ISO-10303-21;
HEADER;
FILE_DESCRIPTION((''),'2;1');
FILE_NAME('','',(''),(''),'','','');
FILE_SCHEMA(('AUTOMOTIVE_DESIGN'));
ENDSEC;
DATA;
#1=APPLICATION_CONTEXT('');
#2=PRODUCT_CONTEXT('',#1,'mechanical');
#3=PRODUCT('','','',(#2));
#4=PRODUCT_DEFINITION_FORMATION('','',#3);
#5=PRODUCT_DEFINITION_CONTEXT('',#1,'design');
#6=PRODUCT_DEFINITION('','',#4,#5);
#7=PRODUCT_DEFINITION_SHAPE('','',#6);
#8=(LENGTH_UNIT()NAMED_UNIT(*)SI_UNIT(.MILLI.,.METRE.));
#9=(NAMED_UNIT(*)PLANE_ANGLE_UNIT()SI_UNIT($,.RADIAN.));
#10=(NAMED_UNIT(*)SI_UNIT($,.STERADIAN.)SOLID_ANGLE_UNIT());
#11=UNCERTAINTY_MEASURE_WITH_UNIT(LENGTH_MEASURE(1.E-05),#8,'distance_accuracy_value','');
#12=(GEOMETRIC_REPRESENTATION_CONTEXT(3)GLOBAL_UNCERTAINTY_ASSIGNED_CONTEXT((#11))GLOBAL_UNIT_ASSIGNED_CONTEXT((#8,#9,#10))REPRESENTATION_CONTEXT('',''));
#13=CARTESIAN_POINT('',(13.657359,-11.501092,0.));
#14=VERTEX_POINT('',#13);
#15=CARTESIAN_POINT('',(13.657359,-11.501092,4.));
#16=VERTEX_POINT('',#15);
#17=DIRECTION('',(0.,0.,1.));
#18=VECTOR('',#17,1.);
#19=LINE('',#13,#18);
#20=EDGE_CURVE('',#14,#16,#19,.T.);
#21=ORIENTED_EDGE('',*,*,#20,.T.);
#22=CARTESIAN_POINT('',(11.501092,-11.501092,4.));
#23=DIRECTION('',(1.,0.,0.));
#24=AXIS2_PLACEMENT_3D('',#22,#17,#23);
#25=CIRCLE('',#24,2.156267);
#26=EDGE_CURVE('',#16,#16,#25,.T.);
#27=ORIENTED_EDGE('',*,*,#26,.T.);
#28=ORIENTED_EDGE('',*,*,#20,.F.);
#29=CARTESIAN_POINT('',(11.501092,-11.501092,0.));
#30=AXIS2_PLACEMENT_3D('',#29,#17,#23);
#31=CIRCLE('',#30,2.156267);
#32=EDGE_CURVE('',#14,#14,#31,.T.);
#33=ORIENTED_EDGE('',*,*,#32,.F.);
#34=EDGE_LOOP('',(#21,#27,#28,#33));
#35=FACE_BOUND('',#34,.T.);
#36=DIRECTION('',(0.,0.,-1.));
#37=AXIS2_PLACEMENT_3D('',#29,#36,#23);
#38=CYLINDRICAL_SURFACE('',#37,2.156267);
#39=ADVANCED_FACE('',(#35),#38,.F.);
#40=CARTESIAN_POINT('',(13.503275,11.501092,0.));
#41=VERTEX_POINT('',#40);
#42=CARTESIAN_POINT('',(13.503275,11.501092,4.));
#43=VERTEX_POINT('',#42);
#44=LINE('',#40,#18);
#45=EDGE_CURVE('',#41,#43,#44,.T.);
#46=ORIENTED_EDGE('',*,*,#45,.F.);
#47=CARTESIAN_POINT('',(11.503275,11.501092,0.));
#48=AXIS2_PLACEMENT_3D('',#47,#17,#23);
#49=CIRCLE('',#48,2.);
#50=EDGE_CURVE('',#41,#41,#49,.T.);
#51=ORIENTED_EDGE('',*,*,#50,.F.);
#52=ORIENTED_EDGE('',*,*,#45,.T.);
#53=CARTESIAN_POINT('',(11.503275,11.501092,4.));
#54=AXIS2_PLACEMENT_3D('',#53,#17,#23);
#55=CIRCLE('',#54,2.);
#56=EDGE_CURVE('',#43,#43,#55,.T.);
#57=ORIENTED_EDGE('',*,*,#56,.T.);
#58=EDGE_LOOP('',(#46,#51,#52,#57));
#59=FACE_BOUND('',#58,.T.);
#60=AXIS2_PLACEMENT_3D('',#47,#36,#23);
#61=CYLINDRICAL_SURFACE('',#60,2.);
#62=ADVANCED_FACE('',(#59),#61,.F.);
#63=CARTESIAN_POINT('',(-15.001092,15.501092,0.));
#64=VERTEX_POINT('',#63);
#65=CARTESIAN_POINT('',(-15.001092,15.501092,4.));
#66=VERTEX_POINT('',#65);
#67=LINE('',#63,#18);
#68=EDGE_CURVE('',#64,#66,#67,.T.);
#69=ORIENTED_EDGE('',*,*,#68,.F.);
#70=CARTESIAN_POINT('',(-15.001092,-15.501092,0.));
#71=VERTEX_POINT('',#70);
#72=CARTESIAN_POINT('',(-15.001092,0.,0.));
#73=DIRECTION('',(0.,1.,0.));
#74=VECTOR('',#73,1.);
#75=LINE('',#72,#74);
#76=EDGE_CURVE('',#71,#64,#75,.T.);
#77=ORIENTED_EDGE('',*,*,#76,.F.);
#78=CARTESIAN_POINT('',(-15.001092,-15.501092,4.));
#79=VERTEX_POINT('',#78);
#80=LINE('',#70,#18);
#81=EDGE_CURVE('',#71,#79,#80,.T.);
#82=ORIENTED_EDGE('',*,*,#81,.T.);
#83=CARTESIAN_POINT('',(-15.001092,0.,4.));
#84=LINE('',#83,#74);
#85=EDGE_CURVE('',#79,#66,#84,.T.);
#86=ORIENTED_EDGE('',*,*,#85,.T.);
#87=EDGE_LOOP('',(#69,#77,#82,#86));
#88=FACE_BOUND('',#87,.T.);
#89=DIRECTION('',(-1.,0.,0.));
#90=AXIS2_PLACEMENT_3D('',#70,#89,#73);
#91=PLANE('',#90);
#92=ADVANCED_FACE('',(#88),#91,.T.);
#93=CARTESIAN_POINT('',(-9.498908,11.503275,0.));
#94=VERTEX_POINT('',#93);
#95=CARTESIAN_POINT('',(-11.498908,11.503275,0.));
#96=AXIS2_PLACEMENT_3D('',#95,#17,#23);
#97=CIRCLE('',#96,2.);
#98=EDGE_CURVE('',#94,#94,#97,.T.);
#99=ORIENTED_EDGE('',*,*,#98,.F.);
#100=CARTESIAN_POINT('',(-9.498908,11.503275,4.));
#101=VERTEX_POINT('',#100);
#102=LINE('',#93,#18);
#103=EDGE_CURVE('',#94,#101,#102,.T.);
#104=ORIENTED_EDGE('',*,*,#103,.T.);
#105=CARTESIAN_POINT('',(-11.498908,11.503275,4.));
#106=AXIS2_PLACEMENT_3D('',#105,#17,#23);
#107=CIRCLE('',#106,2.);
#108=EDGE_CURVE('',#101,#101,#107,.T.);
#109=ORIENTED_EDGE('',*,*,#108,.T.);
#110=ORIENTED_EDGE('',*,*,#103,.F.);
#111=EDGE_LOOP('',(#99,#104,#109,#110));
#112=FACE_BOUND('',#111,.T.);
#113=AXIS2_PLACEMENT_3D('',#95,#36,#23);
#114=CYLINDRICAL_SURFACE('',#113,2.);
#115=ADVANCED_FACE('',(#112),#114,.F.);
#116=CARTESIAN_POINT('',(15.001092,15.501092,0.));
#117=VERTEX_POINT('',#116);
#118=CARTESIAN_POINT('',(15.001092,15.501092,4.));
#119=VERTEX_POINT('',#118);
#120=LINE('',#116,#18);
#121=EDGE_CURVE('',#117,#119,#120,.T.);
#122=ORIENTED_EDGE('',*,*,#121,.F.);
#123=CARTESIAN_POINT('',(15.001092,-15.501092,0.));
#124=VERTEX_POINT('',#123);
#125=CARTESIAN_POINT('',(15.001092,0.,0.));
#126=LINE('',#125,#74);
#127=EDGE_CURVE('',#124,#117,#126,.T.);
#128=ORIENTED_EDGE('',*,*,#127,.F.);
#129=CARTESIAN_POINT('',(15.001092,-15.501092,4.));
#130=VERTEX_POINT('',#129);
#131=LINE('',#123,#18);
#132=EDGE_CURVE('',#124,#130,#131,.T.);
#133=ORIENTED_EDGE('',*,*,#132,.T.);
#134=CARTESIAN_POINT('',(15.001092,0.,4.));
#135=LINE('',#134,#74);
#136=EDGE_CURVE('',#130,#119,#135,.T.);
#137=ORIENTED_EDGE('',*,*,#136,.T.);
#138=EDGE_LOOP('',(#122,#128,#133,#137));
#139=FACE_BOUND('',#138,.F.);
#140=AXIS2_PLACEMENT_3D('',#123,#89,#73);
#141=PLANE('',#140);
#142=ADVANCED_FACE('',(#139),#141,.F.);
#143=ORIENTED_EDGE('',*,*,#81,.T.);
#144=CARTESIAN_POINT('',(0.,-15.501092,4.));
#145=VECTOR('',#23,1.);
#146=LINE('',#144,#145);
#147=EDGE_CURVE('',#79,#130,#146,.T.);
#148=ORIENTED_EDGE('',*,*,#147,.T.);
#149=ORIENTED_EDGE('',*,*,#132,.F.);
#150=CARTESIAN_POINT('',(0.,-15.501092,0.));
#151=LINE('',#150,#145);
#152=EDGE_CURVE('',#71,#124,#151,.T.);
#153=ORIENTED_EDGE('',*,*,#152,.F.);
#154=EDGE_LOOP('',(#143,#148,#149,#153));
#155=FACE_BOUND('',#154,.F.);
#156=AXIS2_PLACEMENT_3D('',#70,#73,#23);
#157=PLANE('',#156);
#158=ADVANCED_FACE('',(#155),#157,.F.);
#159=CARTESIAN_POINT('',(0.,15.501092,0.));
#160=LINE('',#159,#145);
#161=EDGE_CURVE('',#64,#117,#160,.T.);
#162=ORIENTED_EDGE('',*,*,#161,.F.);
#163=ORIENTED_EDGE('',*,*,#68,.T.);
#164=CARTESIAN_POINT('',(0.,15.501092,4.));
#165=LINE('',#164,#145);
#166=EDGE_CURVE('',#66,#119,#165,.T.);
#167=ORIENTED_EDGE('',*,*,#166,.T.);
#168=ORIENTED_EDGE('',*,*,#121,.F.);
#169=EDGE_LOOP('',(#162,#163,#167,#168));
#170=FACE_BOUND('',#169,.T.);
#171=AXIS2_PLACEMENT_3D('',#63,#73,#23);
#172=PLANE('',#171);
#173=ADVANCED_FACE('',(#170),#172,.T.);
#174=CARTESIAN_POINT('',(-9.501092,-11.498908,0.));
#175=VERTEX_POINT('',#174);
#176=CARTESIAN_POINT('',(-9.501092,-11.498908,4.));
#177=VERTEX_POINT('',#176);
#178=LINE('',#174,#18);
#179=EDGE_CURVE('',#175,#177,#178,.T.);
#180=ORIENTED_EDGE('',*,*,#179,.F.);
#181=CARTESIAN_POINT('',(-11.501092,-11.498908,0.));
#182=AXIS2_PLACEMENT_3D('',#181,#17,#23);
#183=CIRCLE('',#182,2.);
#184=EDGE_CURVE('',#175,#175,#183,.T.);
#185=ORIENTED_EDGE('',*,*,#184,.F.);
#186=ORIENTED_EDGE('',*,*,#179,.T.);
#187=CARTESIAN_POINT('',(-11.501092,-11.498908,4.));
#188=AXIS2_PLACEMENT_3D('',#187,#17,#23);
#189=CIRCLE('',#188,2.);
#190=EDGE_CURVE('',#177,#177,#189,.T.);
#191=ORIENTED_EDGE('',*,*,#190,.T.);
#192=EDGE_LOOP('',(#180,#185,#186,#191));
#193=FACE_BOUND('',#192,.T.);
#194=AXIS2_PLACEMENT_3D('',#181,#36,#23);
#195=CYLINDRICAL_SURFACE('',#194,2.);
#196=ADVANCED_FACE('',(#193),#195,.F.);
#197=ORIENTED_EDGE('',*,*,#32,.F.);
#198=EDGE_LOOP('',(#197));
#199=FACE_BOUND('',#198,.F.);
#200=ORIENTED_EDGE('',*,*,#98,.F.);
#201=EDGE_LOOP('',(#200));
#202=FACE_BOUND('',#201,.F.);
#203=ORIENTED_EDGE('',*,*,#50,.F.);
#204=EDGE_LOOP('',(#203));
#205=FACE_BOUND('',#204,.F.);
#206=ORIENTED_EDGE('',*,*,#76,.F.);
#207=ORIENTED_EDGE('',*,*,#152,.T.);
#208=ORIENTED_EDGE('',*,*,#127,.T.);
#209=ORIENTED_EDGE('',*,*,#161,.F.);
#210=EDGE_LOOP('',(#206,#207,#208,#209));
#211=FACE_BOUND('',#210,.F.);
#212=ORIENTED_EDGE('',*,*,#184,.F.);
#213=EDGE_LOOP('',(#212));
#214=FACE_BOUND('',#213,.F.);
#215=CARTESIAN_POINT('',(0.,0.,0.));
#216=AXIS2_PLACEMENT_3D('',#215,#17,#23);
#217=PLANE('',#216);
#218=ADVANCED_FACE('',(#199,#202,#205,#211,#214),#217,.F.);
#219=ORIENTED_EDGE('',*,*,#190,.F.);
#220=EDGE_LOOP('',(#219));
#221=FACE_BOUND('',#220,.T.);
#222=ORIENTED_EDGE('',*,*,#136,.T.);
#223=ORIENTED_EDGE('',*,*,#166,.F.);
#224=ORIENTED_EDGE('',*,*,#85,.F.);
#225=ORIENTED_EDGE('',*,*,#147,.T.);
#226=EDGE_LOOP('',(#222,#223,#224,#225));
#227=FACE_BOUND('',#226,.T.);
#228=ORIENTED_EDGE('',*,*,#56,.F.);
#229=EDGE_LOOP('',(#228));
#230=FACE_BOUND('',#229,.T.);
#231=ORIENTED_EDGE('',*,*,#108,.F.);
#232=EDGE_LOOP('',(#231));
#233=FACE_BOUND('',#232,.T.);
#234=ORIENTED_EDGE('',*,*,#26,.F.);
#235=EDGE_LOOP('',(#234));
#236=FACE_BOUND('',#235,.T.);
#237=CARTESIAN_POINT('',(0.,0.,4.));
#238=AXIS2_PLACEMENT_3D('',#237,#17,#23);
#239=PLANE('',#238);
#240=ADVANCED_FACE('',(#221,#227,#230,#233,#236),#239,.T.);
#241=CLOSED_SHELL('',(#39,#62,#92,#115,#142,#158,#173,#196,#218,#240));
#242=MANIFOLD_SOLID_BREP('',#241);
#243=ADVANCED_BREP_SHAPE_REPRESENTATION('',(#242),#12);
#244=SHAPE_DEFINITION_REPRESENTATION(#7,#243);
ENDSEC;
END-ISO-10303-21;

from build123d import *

# Parameters (mm, degrees)
SKETCH2_W           = 30.002183488
SKETCH2_H           = 31.002183488
SKETCH2_R           = 2
SKETCH2_R_2         = 2.156266898
BOSS_EXTRUDE1_DEPTH = 4


with BuildPart() as part:
    # Sketch2 → Boss-Extrude1 (new body)
    with BuildSketch(Plane.XY):
        Rectangle(SKETCH2_W, SKETCH2_H)
        with Locations((-11.498908256, 11.503275233)):
            Circle(SKETCH2_R, mode=Mode.SUBTRACT)
        with Locations((11.503275233, 11.501091744)):
            Circle(SKETCH2_R, mode=Mode.SUBTRACT)
        with Locations((-11.501091744, -11.498908256)):
            Circle(SKETCH2_R, mode=Mode.SUBTRACT)
        with Locations((11.501091744, -11.501091744)):
            Circle(SKETCH2_R_2, mode=Mode.SUBTRACT)
    extrude(amount=BOSS_EXTRUDE1_DEPTH)


solid = part.part
